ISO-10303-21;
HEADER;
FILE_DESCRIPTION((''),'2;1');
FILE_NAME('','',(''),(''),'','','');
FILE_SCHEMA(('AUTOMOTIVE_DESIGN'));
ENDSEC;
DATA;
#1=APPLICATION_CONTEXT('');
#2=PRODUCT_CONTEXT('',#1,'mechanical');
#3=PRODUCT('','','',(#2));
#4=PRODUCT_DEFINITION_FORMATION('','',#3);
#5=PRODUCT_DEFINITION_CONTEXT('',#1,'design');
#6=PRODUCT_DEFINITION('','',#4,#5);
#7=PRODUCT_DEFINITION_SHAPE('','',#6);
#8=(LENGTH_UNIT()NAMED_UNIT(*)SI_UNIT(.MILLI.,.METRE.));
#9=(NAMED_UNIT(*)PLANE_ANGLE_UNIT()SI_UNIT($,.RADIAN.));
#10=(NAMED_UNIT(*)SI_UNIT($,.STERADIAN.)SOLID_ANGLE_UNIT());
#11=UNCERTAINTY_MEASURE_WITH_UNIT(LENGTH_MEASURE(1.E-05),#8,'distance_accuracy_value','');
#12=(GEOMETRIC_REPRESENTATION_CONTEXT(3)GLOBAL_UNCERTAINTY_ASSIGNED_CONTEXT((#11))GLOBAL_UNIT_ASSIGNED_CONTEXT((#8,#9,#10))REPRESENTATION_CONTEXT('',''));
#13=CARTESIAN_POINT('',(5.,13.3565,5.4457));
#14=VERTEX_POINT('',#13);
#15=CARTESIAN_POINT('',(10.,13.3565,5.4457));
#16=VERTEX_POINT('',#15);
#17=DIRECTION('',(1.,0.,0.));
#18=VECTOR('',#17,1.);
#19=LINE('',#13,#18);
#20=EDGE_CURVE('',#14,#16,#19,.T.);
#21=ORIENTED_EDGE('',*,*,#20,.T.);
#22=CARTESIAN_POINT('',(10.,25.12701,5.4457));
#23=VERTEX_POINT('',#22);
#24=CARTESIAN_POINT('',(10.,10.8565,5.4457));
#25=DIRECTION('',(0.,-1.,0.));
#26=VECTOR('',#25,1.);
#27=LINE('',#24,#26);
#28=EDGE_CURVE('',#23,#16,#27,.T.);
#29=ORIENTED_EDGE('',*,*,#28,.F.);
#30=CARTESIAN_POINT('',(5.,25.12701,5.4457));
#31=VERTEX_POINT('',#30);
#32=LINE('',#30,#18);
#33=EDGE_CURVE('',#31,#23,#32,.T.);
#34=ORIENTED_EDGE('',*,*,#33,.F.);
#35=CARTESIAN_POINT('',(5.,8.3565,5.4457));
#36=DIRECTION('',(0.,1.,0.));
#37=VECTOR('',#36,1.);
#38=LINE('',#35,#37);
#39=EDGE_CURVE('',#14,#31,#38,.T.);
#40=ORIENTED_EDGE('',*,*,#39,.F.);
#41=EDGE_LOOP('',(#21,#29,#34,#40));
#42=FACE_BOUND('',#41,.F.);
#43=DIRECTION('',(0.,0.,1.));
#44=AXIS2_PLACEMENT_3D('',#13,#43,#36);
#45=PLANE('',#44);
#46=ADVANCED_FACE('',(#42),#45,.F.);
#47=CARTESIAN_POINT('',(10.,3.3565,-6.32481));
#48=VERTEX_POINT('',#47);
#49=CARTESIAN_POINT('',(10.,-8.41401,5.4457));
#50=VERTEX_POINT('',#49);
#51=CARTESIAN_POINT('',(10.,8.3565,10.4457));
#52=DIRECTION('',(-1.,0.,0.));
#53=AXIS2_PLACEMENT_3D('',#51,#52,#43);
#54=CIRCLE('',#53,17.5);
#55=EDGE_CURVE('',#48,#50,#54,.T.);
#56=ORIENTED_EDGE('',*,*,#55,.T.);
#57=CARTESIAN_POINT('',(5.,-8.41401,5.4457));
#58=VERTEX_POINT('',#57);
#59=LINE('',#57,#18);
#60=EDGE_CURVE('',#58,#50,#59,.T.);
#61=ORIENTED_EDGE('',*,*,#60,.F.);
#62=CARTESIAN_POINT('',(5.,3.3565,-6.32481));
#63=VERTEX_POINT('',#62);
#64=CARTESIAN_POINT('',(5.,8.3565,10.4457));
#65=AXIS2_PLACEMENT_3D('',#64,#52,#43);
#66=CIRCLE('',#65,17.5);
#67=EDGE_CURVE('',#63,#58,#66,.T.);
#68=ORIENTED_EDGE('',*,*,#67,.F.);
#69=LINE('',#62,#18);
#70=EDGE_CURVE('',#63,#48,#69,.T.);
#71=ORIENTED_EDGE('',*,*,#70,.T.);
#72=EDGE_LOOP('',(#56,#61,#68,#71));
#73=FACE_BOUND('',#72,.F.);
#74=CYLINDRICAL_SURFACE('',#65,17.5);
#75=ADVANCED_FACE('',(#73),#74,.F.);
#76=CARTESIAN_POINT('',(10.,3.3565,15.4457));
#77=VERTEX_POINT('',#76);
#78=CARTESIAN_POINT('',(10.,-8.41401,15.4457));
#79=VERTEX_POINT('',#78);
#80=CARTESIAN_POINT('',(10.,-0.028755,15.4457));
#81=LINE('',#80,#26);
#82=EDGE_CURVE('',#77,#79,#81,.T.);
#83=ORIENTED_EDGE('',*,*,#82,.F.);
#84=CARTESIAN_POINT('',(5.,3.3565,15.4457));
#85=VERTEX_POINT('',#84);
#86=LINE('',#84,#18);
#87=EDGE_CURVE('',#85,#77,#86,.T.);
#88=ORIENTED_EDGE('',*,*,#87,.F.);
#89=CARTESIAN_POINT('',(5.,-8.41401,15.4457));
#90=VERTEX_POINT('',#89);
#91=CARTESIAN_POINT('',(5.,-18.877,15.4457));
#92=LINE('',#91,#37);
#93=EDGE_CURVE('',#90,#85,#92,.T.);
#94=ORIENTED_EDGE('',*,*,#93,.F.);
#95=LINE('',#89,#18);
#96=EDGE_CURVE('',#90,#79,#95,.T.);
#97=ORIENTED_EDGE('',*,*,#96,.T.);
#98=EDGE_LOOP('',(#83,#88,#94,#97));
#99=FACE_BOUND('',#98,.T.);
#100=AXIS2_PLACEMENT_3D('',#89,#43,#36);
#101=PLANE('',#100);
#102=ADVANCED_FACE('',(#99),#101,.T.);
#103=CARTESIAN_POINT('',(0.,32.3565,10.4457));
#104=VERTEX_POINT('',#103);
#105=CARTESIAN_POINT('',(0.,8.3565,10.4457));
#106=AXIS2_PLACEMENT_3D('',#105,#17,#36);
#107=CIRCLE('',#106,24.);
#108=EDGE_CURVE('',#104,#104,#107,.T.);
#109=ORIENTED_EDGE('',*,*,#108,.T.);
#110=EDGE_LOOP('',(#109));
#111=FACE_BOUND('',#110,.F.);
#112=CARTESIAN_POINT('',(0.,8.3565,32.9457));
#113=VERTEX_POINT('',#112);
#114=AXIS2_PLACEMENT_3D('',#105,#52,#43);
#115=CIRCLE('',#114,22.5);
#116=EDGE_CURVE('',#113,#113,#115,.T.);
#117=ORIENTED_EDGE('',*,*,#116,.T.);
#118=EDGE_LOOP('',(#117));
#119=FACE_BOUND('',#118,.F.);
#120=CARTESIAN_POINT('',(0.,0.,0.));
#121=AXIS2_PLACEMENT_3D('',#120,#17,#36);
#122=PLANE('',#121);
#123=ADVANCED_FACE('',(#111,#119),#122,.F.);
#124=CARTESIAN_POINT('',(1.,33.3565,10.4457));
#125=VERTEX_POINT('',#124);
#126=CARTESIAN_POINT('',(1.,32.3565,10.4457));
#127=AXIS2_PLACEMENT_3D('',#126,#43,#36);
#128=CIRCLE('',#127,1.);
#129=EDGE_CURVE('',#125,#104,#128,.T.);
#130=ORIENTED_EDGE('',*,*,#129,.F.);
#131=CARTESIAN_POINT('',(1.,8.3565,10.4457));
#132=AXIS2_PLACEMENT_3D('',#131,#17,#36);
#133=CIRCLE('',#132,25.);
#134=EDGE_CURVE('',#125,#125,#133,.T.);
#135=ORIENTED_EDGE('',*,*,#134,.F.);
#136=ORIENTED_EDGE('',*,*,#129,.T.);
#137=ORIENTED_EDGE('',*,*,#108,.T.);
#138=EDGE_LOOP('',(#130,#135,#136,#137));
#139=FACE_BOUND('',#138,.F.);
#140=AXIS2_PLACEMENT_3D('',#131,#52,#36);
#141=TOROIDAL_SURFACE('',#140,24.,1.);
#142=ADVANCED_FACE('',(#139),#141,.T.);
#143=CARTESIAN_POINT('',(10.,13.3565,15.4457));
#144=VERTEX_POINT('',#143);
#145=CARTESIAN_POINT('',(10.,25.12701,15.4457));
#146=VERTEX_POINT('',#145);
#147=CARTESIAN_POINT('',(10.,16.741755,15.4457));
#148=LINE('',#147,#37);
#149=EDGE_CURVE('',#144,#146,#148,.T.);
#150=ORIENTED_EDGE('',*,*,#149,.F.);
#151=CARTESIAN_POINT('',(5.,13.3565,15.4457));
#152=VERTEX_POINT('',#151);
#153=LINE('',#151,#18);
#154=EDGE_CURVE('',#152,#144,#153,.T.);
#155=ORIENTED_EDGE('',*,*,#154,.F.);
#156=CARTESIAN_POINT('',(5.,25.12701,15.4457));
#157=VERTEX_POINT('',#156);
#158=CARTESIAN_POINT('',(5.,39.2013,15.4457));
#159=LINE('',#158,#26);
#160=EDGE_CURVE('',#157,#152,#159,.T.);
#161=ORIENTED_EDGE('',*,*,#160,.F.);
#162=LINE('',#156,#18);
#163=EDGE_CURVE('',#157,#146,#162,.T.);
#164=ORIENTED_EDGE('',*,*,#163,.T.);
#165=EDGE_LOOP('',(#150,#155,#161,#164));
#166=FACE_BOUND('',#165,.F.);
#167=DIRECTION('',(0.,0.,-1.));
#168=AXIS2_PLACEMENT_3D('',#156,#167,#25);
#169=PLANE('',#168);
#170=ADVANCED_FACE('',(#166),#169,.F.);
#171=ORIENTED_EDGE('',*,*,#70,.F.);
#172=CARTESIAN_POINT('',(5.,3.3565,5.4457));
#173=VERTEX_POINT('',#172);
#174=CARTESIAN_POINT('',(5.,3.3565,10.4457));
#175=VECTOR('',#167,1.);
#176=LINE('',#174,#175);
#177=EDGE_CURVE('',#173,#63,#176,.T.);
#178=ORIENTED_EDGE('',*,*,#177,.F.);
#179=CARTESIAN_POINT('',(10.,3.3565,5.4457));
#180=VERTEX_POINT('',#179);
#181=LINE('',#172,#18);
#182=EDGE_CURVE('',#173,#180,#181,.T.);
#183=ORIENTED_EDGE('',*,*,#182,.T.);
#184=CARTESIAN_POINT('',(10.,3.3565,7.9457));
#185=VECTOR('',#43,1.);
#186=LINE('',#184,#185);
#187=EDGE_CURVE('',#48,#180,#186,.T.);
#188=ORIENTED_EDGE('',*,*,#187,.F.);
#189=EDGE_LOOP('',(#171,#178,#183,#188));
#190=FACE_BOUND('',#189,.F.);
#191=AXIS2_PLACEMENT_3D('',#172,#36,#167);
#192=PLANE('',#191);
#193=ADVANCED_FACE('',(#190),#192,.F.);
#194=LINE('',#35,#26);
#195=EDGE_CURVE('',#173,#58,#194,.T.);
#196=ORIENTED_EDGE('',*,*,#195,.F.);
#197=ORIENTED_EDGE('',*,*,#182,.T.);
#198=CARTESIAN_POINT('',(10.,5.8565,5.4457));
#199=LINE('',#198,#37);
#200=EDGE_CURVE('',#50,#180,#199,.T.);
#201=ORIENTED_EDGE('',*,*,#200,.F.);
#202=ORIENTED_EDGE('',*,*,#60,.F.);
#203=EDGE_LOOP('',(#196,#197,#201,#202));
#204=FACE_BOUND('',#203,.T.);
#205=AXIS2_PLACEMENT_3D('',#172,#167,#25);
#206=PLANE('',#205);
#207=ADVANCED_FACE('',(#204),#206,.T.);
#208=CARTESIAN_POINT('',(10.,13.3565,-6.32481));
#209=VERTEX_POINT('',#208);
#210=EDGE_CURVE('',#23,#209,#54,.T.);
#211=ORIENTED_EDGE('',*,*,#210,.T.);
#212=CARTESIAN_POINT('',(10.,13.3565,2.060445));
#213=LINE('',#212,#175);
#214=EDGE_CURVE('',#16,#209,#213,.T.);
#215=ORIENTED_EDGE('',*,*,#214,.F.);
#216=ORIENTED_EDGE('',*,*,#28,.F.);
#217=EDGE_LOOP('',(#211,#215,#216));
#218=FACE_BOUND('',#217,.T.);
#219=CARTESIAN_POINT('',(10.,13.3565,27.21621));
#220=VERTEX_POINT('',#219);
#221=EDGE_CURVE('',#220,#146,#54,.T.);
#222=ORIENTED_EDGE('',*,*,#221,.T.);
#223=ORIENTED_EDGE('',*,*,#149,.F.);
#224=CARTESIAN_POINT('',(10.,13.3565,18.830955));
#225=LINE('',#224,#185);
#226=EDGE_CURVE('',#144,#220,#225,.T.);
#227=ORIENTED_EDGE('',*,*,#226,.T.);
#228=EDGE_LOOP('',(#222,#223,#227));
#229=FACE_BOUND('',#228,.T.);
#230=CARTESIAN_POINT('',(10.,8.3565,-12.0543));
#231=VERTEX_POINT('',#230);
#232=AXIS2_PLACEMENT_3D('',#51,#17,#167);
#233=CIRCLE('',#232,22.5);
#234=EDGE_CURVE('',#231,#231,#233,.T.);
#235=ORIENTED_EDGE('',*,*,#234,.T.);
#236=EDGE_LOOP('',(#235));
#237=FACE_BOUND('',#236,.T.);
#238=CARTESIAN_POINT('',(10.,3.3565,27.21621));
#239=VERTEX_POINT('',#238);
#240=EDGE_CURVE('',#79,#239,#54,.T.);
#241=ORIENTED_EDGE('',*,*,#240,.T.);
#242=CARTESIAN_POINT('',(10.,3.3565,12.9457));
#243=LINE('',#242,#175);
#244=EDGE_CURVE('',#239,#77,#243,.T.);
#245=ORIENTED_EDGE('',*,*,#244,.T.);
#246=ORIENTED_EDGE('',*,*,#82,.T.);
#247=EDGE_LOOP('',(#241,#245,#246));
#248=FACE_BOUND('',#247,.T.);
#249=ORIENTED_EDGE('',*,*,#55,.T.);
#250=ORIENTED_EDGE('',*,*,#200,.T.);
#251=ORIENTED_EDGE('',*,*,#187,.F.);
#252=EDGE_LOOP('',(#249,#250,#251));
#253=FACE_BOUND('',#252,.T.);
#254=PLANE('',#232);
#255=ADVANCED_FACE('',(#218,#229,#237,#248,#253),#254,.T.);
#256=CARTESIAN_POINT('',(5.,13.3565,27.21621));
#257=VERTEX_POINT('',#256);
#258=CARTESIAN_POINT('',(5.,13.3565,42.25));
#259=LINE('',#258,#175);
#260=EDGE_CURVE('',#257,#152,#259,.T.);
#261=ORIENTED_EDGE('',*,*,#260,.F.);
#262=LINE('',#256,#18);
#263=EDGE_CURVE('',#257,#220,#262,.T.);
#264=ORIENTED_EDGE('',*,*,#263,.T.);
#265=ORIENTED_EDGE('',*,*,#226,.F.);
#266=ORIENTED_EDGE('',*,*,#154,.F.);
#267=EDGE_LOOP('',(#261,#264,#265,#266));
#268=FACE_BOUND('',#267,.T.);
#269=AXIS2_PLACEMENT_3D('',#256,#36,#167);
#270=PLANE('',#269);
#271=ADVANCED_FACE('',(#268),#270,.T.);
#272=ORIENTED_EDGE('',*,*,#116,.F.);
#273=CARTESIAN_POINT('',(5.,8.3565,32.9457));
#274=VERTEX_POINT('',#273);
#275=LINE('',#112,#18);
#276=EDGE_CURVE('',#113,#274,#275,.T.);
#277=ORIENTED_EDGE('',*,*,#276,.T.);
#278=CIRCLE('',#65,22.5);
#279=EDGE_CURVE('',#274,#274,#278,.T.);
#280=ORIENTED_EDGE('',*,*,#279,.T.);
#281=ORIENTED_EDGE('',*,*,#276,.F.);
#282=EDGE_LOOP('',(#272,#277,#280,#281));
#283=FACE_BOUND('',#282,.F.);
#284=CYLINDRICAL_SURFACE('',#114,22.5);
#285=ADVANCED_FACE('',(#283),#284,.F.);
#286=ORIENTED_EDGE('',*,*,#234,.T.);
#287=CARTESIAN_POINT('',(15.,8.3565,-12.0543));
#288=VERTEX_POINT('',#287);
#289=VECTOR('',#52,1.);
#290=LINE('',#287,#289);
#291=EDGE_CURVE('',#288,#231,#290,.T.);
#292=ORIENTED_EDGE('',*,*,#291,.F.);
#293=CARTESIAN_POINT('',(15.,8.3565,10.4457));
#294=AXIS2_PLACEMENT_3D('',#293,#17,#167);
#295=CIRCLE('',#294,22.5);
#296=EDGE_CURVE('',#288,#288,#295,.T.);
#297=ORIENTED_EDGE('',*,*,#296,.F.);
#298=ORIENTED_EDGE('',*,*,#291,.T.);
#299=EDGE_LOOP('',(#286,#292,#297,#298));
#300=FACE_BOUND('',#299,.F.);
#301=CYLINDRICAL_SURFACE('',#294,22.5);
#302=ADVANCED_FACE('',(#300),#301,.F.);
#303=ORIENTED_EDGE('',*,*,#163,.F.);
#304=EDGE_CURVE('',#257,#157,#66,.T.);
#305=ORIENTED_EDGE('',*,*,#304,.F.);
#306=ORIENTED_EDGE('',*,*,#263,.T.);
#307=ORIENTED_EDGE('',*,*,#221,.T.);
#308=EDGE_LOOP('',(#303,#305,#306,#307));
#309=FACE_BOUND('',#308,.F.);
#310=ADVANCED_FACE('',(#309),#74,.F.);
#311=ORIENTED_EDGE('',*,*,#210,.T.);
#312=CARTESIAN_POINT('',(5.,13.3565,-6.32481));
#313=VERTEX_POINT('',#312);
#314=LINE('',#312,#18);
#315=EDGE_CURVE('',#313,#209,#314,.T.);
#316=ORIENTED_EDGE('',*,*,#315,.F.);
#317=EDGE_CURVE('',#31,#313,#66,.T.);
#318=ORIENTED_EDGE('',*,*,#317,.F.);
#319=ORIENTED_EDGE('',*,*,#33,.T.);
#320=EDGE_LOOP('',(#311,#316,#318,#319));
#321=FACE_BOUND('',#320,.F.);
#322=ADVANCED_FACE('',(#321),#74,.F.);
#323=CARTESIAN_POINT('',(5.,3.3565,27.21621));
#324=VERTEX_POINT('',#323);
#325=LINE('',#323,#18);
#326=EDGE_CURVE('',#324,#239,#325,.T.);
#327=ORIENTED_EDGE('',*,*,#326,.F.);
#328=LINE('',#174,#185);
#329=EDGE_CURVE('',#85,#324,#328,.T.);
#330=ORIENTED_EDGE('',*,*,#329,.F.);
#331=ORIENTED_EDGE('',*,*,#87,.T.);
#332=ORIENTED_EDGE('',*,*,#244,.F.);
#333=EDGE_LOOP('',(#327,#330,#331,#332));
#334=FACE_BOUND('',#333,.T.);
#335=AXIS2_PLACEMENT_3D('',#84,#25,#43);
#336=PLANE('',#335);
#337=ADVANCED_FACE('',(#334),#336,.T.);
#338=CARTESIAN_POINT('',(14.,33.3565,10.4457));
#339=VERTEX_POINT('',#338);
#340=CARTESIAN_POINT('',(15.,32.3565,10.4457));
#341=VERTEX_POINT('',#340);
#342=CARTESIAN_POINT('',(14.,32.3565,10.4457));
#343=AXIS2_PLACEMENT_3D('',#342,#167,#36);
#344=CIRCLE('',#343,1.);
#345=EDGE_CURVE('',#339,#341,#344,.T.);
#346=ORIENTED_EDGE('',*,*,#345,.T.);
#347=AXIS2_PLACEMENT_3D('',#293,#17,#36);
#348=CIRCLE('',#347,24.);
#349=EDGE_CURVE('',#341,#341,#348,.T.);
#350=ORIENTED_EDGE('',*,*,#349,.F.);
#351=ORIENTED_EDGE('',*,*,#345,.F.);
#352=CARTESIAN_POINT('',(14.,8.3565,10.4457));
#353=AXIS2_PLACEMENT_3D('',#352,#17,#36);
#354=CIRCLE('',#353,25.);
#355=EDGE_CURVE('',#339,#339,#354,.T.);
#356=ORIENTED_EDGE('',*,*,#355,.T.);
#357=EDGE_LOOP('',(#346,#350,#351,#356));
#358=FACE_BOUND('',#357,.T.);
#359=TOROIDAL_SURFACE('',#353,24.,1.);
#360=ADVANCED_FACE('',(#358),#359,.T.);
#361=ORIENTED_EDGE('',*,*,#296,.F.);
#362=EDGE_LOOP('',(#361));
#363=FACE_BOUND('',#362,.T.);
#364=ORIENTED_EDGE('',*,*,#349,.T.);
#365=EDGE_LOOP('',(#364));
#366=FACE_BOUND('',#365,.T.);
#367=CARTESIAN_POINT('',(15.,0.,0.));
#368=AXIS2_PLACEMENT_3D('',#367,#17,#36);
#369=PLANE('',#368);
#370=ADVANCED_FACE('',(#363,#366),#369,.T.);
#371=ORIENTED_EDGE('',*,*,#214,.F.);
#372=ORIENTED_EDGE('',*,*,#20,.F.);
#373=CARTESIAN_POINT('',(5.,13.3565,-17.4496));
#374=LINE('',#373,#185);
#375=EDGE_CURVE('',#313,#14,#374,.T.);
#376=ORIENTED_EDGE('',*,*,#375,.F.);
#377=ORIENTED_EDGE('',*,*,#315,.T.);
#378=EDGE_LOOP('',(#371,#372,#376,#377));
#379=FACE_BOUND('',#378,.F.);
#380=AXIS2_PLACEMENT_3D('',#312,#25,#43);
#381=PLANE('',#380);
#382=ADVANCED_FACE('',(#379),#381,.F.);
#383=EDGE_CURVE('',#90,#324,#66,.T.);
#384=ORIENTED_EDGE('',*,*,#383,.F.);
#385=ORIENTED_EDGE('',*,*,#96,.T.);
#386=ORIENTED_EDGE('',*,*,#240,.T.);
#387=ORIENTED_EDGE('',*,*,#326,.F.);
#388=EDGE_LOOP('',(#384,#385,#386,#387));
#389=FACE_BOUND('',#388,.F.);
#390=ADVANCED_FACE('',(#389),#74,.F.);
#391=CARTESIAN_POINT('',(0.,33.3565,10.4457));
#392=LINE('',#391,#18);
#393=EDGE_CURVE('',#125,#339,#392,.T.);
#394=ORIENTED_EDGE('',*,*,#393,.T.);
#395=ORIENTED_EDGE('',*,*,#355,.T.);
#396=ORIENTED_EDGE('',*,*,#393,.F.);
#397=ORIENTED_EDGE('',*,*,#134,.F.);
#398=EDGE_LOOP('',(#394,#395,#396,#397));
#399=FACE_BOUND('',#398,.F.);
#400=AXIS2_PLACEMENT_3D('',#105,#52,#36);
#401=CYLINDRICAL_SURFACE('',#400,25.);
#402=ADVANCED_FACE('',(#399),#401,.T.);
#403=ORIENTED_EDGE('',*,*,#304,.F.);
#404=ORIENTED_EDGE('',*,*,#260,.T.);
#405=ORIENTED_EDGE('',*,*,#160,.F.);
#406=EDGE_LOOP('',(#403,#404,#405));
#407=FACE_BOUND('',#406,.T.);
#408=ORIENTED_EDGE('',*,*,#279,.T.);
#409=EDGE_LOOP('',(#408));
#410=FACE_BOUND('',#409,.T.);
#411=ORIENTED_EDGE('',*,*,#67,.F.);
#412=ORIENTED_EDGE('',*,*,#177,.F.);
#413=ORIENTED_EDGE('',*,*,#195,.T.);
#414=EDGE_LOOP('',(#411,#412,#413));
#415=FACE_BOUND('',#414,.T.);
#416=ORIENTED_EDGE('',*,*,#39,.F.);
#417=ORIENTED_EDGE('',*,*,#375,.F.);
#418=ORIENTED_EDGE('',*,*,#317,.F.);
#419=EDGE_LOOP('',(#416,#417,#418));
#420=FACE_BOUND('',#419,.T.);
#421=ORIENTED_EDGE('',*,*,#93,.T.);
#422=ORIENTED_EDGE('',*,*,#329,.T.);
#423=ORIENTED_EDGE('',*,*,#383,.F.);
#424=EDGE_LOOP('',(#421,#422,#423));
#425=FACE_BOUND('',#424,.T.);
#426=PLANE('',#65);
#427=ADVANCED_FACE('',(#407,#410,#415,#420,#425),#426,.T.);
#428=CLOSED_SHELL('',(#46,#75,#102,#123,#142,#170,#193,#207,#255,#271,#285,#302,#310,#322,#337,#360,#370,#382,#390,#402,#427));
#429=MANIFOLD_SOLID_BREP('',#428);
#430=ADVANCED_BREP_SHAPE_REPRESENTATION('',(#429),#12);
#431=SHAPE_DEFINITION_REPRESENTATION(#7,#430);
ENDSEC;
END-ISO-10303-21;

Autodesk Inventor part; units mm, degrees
ref_plane "YZ Plane" through (0, 0, 0) normal (1, 0, 0) x (0, 1, 0)
ref_plane "XZ Plane" through (0, 0, 0) normal (0, 1, 0) x (-1, 0, 0)
ref_plane "XY Plane" through (0, 0, 0) normal (0, 0, 1) x (1, 0, 0)
sketch "Эскиз1" plane through (0, 0, 0) normal (1, 0, 0) x (0, 1, 0)
  circle A0 centre (8.3565, 10.4457) radius 25
  point P0 (0, 0)
  dimension "d0" = 50
extrude "Выдавливание1" add sketch "Эскиз1" along normal blind 15
sketch "Эскиз2" plane through (0, 8.3565, 10.4457) normal (-1, 0, 0) x (0, 0, 1)
  circle A0 centre (0, 0) radius 22.5
  point P0 (-10.4457, -8.3565)
  dimension "d3" = 45
extrude "Выдавливание2" cut sketch "Эскиз2" against normal blind 5
sketch "Эскиз3" plane through (15, 8.3565, 10.4457) normal (1, 0, 0) x (0, 0, -1)
  circle A0 centre (0, 0) radius 22.5
  point P0 (10.4457, -8.3565)
  dimension "d6" = 45
extrude "Выдавливание3" cut sketch "Эскиз3" against normal blind 5
sketch "Эскиз7" plane through (5, 8.3565, 10.4457) normal (-1, 0, 0) x (0, 0, 1)
  circle A0 centre (0, 0) radius 5
  line L0 (5, 0) -> (-5, 0)
  line L1 (-5, 0) -> (-5, 30.8448)
  line L2 (-5, 30.8448) -> (5, 30.8448)
  line L3 (5, 30.8448) -> (5, 0)
  line L4 (5, 0) -> (-5, 0)
  line L5 (-5, 0) -> (-5, -27.2335)
  line L6 (-5, -27.2335) -> (5, -27.2335)
  line L7 (5, -27.2335) -> (5, 0)
  line L8 (0, -5) -> (31.8043, -5)
  line L9 (31.8043, -5) -> (31.8043, 5)
  line L10 (31.8043, 5) -> (0, 5)
  line L11 (0, 5) -> (0, -5)
  line L12 (0, -5) -> (-27.8953, -5)
  line L13 (-27.8953, -5) -> (-27.8953, 5)
  line L14 (-27.8953, 5) -> (0, 5)
  line L15 (0, 5) -> (0, -5)
  circle A1 centre (0, 0) radius 22.5
  circle A2 centre (0, 0) radius 17.5
  point P0 (-10.4457, -8.3565)
  point P1 (5, -16.7705)
  point P2 (16.7705, -5)
  point P3 (5, -5)
  point P4 (-16.7705, -5)
  point P5 (-5, -16.7705)
  point P6 (-5, -5)
  point P7 (16.7705, 5)
  point P8 (5, 16.7705)
  point P9 (5, 5)
  point P10 (-5, 16.7705)
  point P11 (-16.7705, 5)
  point P12 (-5, 5)
  dimension "d13" = 10
  dimension "d14" = 35
extrude "Выдавливание4" cut sketch "Эскиз7" against normal blind 10 contours L3 A2 L10 | L8 A2 L7 | L14 A2 L1 | L5 A2 L12
fillet "Сопряжение1" radius 1 2 edges at (15, -16.6435, 10.4457) (0, -16.6435, 10.4457)
properties part number "колесо" material "Пластик САН"
